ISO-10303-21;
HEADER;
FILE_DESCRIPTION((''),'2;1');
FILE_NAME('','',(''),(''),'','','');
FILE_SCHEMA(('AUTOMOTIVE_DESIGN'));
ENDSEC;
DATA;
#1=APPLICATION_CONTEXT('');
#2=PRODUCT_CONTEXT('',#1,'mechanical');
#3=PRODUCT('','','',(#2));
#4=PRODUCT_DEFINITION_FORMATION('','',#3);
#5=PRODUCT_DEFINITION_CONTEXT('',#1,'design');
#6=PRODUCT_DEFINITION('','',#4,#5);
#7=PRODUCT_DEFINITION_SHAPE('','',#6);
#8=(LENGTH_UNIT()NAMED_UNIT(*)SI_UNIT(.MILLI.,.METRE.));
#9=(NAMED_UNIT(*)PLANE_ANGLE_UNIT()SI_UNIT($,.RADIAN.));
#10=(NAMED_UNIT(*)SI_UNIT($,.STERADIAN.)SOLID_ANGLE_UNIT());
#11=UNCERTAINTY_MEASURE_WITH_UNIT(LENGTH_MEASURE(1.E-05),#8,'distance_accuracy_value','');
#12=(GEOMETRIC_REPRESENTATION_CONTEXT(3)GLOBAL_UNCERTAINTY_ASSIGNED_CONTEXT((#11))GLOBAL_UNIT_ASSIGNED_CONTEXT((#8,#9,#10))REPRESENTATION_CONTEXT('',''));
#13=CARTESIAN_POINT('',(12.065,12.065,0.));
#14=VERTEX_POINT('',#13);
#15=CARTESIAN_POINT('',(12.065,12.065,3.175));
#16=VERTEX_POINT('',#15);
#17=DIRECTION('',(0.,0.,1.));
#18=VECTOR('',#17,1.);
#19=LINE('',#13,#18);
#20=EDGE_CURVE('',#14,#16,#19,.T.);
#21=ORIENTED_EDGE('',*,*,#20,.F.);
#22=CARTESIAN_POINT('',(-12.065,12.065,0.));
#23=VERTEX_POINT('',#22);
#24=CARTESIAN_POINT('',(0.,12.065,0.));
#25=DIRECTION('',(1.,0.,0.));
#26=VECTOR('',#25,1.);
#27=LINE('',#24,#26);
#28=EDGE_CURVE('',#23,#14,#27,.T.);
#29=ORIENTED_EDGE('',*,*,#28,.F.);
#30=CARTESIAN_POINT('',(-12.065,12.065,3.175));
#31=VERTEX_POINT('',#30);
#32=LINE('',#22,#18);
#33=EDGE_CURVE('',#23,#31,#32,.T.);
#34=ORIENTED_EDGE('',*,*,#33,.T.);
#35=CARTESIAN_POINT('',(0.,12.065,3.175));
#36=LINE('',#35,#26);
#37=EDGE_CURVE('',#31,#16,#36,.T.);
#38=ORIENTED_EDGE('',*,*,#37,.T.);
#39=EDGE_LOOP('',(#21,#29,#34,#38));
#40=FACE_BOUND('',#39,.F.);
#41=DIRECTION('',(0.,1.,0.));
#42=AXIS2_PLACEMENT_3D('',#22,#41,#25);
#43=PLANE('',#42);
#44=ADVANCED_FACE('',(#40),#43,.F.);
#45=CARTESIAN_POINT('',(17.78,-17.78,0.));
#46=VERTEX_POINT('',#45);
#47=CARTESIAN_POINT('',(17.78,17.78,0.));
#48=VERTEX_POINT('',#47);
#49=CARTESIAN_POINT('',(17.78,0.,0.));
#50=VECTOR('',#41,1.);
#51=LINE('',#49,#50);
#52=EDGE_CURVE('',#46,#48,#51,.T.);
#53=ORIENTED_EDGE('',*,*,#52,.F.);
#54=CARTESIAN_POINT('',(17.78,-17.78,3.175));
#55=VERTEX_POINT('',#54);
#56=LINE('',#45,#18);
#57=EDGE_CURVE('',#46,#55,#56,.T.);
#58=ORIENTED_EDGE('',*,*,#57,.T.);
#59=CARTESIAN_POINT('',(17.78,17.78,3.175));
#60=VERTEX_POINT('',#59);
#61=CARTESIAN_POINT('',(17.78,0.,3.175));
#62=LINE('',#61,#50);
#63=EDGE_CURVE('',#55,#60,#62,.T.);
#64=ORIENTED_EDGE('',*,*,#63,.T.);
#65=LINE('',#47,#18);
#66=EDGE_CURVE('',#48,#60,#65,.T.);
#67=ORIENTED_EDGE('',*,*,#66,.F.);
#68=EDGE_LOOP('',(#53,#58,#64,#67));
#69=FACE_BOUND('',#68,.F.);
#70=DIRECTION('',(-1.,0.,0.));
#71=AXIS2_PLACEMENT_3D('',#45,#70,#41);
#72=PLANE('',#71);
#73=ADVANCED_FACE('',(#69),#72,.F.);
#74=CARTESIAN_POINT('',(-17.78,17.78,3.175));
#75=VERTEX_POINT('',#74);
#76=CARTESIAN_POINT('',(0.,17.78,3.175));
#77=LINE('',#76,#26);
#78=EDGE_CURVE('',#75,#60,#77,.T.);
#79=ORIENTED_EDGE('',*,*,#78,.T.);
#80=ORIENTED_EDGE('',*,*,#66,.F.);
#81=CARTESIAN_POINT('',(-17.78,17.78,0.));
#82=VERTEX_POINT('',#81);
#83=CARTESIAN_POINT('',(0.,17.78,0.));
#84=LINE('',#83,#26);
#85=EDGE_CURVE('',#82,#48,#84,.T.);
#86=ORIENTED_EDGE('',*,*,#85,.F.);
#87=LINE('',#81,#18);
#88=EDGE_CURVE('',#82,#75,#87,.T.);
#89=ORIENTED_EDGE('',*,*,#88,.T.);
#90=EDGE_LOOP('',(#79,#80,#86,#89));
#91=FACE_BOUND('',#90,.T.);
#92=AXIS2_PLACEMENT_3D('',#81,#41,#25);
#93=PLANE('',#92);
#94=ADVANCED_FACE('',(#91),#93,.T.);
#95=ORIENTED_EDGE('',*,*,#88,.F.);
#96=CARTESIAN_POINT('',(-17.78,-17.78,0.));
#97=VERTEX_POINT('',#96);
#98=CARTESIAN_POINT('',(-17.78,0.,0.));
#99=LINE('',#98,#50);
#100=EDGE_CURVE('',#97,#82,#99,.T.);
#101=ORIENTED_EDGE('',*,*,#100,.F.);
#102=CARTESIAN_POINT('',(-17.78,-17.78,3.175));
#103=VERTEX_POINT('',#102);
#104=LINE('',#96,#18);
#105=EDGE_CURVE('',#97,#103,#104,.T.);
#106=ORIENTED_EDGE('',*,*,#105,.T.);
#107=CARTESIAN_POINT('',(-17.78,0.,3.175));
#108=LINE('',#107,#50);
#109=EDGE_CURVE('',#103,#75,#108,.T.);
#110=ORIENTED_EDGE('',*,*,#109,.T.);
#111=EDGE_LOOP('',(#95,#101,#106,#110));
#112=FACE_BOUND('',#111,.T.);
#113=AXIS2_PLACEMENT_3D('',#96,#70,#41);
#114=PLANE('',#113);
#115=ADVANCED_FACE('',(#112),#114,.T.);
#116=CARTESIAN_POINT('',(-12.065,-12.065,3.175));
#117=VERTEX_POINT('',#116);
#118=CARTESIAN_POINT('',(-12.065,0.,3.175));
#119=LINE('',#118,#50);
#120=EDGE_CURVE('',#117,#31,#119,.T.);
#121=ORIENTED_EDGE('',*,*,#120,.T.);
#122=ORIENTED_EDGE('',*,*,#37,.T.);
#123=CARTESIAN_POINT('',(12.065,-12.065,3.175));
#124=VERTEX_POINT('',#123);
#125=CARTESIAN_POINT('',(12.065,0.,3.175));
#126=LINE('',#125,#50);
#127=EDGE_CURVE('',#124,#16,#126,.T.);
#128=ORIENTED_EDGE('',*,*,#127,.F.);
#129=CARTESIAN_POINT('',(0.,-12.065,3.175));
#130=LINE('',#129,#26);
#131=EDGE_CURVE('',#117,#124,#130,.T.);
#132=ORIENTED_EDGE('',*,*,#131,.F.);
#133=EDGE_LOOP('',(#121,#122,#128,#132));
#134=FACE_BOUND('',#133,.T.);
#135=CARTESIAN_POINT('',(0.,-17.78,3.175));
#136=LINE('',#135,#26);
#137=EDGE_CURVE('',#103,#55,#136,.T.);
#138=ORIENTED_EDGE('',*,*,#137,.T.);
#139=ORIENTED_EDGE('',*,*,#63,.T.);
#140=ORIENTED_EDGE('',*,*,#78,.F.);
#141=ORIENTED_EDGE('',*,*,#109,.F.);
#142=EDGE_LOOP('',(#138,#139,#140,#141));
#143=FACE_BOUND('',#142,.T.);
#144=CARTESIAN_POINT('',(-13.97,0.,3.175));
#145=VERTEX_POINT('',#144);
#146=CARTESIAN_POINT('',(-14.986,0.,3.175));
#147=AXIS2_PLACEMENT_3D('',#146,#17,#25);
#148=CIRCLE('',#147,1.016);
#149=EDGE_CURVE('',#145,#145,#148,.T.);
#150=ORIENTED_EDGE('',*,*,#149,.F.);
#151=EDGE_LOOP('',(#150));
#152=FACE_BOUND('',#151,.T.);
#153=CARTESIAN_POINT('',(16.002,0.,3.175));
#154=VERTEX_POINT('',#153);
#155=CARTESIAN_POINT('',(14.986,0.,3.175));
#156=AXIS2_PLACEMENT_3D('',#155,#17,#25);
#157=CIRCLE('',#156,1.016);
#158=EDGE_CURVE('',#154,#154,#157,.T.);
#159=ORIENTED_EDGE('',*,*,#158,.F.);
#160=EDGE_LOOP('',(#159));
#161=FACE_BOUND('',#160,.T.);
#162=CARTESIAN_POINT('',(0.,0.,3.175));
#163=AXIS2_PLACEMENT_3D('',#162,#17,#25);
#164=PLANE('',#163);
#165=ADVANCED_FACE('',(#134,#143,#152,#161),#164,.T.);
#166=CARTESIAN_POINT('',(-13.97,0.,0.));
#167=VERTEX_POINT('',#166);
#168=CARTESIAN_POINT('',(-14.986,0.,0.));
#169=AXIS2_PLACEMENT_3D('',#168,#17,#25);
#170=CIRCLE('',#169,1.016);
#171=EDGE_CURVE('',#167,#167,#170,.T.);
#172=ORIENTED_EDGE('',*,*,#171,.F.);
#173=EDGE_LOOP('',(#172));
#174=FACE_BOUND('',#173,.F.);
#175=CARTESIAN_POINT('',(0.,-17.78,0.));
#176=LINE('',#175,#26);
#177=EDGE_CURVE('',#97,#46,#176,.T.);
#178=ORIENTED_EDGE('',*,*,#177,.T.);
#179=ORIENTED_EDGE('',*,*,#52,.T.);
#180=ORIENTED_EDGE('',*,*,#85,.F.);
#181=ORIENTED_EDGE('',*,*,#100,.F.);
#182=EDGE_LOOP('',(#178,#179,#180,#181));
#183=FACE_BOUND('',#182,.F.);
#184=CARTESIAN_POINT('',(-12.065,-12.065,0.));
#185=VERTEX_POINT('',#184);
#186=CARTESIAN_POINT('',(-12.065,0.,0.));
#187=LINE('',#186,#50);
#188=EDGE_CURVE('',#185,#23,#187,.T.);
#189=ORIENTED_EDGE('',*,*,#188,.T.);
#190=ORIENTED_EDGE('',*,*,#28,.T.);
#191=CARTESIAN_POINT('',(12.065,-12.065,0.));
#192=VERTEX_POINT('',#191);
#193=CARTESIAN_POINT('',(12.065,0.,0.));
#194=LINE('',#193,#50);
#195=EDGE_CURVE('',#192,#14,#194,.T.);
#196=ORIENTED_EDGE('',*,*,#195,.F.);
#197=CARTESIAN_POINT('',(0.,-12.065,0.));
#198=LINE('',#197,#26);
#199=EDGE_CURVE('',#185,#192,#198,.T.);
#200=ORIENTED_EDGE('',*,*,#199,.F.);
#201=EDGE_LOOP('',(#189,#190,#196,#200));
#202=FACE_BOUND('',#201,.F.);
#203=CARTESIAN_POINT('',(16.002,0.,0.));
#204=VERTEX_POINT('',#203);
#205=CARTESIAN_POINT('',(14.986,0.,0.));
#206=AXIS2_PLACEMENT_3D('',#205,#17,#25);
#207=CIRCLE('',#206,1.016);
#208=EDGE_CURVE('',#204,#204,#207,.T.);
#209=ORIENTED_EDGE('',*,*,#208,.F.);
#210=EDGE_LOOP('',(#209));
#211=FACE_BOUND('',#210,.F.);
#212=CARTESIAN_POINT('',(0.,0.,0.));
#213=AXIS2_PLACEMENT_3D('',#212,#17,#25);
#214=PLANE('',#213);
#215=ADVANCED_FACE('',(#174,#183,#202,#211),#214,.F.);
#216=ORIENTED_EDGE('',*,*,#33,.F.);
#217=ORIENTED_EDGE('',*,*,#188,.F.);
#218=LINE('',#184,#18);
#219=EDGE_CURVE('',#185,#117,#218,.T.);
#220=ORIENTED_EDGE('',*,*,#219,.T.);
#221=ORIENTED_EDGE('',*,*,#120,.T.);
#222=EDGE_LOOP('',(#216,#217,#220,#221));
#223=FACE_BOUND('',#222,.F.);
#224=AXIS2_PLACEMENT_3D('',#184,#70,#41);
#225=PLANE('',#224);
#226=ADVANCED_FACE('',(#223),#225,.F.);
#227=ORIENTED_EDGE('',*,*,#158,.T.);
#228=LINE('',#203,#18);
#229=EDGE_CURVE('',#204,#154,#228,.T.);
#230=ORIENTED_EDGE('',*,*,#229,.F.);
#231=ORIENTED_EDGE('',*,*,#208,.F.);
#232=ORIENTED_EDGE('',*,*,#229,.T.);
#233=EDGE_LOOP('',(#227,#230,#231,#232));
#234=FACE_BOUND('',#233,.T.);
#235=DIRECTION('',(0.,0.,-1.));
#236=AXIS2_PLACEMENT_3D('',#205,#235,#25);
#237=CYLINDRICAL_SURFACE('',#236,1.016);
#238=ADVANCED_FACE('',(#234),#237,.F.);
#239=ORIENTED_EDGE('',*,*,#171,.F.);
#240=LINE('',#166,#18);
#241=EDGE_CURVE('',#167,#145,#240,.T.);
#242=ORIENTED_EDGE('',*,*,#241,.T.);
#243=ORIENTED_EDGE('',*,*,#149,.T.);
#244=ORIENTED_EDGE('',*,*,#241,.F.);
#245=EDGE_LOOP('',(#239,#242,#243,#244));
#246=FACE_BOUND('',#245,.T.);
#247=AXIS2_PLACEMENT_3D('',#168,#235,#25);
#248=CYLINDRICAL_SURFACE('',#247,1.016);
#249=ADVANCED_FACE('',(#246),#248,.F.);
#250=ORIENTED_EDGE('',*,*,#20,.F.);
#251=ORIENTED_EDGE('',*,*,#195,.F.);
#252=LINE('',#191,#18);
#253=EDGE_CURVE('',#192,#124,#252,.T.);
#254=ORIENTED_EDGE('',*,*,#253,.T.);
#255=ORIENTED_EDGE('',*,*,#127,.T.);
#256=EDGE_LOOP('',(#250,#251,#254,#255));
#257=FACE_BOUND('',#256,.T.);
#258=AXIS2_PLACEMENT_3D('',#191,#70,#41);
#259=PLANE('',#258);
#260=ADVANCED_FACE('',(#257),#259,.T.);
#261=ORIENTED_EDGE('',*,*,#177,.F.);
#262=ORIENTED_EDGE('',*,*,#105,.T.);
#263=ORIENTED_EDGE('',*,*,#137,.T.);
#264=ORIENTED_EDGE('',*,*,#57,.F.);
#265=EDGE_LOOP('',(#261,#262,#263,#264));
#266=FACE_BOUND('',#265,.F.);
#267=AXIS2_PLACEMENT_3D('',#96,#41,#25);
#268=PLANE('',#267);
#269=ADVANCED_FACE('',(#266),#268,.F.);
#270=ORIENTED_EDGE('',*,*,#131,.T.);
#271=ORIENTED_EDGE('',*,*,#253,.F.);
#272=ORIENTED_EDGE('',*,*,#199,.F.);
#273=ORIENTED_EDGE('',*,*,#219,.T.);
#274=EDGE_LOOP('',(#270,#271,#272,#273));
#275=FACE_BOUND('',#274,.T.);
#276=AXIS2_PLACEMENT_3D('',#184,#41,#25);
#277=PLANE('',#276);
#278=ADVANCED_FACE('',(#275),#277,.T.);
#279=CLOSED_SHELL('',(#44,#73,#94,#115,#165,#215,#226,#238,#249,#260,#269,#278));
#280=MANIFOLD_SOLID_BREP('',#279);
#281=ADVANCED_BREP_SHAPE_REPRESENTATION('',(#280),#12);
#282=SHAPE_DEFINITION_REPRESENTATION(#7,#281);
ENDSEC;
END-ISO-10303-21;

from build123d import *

# Parameters (mm, degrees)
F0_W     = 35.56
F0_H     = 35.56
F0_R     = 1.016
F0_W_2   = 24.13
F0_H_2   = 24.13
F1_DEPTH = 3.175


with BuildPart() as f1:
    # F0 (on Top) → F1 (new body)
    with BuildSketch(Plane.XY):
        Rectangle(F0_W, F0_H)
        with Locations((-14.986, 0)):
            Circle(F0_R, mode=Mode.SUBTRACT)
        Rectangle(F0_W_2, F0_H_2, mode=Mode.SUBTRACT)
        with Locations((14.986, 0)):
            Circle(F0_R, mode=Mode.SUBTRACT)
    extrude(amount=F1_DEPTH)


solid = f1.part
